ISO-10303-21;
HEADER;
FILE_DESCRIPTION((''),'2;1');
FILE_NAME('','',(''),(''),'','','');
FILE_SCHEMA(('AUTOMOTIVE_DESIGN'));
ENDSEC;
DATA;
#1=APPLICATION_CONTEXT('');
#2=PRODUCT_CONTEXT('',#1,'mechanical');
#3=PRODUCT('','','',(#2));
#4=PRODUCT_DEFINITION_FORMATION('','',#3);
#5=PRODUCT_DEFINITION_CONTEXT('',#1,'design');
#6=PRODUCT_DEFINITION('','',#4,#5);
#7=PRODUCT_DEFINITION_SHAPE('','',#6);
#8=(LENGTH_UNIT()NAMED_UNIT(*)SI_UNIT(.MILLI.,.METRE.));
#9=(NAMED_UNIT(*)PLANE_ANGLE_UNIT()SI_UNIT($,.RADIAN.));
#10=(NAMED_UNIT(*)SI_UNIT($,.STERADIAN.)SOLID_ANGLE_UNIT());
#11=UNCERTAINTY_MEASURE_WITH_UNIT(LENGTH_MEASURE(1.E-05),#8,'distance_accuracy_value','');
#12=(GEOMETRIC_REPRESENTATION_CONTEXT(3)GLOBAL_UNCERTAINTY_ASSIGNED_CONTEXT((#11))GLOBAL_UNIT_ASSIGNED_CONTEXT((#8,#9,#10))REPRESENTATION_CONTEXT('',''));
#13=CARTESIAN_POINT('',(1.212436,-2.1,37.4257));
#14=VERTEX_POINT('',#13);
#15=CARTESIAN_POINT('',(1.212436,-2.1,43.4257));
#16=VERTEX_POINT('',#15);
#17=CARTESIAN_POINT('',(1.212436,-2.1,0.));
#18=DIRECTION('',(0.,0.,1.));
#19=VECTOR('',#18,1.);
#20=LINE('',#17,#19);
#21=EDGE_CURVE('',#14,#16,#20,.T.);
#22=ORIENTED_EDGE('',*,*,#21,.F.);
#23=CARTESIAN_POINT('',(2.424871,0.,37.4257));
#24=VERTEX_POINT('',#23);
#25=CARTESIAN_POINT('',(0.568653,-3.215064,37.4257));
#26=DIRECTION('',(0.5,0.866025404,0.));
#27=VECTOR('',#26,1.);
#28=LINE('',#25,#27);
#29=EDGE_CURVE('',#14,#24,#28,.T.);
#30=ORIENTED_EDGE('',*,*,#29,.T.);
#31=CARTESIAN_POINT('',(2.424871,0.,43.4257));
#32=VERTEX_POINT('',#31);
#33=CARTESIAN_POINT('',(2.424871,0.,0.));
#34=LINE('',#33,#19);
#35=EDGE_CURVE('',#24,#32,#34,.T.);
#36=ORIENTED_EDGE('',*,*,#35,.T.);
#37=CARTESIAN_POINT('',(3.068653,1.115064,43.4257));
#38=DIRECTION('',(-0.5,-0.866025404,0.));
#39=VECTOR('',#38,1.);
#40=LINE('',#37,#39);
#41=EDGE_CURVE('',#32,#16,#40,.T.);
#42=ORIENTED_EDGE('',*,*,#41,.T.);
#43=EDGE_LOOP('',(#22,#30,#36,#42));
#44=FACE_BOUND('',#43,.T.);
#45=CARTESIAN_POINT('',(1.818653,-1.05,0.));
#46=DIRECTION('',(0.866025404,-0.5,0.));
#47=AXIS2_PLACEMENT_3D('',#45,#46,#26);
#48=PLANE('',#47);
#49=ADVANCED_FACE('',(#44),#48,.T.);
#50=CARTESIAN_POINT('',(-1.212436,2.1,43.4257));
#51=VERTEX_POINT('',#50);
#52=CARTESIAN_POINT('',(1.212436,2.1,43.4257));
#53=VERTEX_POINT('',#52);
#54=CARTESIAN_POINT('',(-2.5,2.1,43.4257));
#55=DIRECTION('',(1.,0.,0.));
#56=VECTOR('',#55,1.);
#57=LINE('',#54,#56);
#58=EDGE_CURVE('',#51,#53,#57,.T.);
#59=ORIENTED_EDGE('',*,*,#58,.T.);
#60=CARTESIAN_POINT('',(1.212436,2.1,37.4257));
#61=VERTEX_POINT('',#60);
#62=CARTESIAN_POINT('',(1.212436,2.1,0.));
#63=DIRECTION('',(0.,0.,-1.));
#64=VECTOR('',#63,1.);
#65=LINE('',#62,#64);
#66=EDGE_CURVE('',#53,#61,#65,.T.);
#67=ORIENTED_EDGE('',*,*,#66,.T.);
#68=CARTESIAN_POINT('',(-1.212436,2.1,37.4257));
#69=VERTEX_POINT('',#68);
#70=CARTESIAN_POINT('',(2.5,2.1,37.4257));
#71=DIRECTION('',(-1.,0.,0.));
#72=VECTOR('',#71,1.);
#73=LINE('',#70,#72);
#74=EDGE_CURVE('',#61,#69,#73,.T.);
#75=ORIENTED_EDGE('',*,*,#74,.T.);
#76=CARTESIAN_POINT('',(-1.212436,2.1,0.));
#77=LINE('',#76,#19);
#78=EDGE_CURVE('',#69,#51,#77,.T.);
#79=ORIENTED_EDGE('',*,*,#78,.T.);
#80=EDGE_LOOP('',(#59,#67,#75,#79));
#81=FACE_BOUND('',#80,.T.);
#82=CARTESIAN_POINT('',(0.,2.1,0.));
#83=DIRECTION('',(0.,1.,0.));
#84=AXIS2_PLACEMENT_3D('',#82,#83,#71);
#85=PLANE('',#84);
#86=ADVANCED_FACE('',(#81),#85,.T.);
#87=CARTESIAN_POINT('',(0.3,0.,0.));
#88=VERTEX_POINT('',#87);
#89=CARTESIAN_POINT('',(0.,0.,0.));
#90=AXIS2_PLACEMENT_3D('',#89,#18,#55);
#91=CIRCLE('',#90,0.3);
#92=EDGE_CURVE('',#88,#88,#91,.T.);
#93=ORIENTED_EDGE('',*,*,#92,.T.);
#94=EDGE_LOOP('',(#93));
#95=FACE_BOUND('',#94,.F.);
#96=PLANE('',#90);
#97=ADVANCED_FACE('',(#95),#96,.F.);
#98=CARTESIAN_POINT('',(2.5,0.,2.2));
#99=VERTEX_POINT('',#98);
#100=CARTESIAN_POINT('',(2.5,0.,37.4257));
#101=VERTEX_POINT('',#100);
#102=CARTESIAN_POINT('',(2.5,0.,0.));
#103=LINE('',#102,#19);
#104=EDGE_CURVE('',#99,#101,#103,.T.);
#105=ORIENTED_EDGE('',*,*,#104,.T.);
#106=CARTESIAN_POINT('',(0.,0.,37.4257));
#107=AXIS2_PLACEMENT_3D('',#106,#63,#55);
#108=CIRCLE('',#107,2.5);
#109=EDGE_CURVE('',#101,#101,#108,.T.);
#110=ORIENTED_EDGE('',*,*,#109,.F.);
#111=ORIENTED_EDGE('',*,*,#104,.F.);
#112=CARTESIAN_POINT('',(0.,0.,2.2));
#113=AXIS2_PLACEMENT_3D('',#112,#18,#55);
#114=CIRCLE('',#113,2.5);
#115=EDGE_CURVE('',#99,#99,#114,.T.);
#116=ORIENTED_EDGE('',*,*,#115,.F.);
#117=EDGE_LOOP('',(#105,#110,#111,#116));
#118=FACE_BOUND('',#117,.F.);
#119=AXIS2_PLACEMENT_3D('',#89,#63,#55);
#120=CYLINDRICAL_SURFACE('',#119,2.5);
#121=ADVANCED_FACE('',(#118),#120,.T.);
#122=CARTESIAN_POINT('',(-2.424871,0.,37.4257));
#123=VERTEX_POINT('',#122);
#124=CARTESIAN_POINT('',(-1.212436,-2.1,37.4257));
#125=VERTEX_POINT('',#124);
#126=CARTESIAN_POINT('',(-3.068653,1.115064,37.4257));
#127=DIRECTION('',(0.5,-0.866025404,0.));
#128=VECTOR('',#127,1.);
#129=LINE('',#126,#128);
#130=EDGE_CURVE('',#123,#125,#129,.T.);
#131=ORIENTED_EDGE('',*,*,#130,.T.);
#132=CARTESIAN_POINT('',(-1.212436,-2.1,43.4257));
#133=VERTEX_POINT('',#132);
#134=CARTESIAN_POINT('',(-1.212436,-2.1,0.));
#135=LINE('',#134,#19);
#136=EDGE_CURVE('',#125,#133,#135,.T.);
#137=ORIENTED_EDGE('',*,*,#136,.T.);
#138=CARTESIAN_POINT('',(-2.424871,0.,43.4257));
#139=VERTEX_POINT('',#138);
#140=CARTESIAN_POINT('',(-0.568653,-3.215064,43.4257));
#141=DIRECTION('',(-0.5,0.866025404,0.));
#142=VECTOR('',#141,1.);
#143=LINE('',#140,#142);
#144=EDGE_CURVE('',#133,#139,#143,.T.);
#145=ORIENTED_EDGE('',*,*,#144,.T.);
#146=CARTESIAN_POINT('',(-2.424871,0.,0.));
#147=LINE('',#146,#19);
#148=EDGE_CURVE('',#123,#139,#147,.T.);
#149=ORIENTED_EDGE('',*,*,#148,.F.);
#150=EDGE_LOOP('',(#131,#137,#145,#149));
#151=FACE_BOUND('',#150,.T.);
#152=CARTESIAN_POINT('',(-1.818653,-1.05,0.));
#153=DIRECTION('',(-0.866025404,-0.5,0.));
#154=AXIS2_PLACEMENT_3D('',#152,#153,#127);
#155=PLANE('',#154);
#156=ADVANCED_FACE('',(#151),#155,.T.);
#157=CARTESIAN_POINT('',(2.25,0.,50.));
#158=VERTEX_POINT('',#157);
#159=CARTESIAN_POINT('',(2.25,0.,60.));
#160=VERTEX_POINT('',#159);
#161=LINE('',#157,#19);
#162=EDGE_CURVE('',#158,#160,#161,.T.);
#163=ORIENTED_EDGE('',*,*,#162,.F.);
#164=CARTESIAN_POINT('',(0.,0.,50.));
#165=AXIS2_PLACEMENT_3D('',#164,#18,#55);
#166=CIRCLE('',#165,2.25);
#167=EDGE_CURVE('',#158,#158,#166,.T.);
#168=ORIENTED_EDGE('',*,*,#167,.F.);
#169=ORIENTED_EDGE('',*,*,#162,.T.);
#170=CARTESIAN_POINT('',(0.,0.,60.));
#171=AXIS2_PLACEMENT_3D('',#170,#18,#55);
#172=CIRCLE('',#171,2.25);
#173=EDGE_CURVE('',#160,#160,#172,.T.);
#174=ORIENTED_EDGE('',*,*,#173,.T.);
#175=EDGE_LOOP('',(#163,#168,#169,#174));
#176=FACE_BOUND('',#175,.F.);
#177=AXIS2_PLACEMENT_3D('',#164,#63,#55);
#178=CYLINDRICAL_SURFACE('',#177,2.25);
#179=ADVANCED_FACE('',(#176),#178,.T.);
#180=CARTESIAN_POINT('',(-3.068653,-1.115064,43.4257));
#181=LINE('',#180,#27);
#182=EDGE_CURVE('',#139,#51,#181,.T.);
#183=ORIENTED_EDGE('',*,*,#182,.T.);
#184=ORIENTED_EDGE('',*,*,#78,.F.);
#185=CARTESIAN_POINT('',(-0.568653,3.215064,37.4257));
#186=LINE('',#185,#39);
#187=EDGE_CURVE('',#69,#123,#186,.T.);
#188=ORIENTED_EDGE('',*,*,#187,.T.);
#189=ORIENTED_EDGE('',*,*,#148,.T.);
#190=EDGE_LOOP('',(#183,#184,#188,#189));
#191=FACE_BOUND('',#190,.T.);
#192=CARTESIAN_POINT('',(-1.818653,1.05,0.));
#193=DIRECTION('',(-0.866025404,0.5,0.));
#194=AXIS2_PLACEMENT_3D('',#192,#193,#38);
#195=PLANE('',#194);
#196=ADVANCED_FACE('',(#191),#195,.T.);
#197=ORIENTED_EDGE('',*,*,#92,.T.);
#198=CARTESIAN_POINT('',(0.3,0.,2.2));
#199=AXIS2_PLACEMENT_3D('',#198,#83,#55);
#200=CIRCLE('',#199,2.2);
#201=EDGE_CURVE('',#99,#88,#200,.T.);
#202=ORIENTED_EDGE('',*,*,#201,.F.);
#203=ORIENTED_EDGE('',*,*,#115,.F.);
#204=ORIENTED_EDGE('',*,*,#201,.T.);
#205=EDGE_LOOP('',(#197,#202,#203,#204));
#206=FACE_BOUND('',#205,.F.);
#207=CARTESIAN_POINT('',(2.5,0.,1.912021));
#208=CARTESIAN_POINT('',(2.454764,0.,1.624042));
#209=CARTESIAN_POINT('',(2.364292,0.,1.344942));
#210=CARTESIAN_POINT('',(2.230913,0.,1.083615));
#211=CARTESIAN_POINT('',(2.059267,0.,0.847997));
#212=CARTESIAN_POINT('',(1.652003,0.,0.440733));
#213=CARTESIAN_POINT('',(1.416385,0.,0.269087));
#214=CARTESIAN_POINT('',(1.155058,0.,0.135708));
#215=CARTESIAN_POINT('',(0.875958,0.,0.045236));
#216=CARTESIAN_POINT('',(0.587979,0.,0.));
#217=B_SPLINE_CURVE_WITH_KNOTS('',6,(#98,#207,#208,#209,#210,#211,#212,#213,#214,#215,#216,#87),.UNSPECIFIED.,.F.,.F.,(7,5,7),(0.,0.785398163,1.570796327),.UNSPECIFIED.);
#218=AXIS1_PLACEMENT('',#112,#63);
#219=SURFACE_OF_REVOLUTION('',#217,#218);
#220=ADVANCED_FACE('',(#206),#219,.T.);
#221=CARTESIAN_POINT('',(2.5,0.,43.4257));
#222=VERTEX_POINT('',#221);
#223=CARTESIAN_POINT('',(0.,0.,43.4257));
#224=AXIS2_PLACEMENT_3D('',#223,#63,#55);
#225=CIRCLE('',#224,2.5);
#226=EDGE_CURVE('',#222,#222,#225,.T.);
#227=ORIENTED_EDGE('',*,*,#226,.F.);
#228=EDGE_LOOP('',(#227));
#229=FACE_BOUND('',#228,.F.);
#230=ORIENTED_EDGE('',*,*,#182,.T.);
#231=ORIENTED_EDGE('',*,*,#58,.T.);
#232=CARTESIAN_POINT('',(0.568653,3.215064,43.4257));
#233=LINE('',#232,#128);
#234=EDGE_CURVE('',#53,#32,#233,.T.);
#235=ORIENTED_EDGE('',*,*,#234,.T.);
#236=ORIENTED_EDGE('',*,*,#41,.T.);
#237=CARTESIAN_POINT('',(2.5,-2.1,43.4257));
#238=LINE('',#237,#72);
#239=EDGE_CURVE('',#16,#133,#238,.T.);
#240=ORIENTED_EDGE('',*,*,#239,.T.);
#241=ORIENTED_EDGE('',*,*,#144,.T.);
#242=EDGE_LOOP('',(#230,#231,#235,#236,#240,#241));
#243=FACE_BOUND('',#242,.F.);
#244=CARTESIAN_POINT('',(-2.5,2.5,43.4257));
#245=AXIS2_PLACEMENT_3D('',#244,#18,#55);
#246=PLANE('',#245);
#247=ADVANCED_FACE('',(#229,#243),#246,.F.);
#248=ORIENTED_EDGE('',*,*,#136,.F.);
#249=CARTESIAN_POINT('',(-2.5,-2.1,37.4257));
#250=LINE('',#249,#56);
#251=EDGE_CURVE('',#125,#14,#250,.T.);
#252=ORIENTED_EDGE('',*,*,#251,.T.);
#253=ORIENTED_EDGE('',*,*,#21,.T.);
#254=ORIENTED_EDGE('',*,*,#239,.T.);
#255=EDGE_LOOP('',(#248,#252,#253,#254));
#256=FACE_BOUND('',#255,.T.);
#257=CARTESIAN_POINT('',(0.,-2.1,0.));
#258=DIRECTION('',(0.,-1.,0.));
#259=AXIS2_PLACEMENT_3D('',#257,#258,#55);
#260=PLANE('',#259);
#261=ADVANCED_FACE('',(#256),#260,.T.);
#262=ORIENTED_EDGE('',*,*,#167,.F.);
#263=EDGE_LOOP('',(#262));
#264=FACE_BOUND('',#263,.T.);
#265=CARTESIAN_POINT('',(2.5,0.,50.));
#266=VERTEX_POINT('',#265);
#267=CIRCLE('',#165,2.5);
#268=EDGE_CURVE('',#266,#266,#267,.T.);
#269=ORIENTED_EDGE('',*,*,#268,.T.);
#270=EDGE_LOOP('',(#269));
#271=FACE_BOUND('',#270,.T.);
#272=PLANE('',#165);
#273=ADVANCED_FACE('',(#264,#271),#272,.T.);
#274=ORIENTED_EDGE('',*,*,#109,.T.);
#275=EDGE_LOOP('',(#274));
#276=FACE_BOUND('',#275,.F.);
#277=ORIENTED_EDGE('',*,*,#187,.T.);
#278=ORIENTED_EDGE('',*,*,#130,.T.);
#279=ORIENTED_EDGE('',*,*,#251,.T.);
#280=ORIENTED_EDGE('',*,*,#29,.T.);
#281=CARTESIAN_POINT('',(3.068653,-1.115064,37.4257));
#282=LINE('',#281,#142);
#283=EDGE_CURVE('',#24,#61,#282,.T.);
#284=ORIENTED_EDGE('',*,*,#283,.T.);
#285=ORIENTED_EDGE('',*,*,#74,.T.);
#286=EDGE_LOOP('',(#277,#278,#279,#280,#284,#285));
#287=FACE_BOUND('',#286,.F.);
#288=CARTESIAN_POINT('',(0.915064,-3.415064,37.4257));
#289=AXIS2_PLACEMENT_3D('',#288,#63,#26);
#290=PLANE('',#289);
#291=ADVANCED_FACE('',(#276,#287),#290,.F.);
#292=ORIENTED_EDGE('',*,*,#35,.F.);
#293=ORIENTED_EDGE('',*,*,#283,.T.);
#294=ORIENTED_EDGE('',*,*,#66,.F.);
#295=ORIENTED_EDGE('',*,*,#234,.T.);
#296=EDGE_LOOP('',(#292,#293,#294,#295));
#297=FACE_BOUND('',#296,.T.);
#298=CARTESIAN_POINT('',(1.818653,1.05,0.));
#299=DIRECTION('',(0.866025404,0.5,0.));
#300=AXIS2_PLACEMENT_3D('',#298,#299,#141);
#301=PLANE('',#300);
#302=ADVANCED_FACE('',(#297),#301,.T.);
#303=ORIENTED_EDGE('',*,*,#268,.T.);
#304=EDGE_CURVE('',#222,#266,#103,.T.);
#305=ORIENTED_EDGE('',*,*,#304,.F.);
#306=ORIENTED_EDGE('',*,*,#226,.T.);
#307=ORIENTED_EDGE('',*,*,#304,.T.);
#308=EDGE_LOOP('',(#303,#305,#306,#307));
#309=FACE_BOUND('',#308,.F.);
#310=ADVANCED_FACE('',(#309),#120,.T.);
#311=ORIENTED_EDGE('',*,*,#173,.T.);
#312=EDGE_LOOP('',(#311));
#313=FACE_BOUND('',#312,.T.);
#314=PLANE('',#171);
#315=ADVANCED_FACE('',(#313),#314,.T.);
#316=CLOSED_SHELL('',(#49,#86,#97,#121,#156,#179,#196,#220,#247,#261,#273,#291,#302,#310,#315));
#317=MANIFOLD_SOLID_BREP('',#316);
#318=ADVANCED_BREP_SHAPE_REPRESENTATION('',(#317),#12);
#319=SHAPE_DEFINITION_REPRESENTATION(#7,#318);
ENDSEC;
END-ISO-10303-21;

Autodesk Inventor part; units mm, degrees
ref_plane "YZ Plane" through (0, 0, 0) normal (1, 0, 0) x (0, 1, 0)
ref_plane "XY Plane" through (0, 0, 0) normal (0, 0, 1) x (1, 0, 0)
sketch "Skizze1" plane through (0, 0, 0) normal (0, 0, 1) x (1, 0, 0)
  circle A0 centre (0, 0) radius 2.5
  dimension "d0" = 5
extrude "Extrusion1" add sketch "Skizze1" along normal blind 50
fillet "Rundung1" radius 2.2 1 edges at (-2.5, 0, 0)
ref_plane "Arbeitsebene1" through (0, 2.5, 0) normal (0, 1, 0) x (-1, 0, 0)
sketch "Skizze2" plane through (0, 2.5, 0) normal (0, 1, 0) x (-1, 0, 0)
  line L0 (2.5, 2.2) -> (2.5, 50) projected
  line L1 (-2.5, 2.2) -> (-2.5, 50) projected
  line L2 (2.5, 43.4257) -> (-2.5, 43.4257)
  line L3 (-2.5, 43.4257) -> (-2.5, 37.4257)
  line L4 (-2.5, 37.4257) -> (2.5, 37.4257)
  line L5 (2.5, 37.4257) -> (2.5, 43.4257)
  point P0 (0, 0)
  point P1 (-2.5, 43.4257)
  dimension "d4" = 6
extrude "Extrusion2" cut sketch "Skizze2" against normal blind 0.4
pattern_circular "Runde Anordnung1" count 6 over 360 about axis through (0, 0, -10) along (0, 0, 1) of "Extrusion2"
sketch "Skizze3" plane through (0, 0, 50) normal (0, 0, 1) x (1, 0, 0)
  circle A0 centre (0, 0) radius 2.25
  dimension "d10" = 4.5
extrude "Extrusion3" add sketch "Skizze3" along normal blind 10
properties part number "Thermoelement"
